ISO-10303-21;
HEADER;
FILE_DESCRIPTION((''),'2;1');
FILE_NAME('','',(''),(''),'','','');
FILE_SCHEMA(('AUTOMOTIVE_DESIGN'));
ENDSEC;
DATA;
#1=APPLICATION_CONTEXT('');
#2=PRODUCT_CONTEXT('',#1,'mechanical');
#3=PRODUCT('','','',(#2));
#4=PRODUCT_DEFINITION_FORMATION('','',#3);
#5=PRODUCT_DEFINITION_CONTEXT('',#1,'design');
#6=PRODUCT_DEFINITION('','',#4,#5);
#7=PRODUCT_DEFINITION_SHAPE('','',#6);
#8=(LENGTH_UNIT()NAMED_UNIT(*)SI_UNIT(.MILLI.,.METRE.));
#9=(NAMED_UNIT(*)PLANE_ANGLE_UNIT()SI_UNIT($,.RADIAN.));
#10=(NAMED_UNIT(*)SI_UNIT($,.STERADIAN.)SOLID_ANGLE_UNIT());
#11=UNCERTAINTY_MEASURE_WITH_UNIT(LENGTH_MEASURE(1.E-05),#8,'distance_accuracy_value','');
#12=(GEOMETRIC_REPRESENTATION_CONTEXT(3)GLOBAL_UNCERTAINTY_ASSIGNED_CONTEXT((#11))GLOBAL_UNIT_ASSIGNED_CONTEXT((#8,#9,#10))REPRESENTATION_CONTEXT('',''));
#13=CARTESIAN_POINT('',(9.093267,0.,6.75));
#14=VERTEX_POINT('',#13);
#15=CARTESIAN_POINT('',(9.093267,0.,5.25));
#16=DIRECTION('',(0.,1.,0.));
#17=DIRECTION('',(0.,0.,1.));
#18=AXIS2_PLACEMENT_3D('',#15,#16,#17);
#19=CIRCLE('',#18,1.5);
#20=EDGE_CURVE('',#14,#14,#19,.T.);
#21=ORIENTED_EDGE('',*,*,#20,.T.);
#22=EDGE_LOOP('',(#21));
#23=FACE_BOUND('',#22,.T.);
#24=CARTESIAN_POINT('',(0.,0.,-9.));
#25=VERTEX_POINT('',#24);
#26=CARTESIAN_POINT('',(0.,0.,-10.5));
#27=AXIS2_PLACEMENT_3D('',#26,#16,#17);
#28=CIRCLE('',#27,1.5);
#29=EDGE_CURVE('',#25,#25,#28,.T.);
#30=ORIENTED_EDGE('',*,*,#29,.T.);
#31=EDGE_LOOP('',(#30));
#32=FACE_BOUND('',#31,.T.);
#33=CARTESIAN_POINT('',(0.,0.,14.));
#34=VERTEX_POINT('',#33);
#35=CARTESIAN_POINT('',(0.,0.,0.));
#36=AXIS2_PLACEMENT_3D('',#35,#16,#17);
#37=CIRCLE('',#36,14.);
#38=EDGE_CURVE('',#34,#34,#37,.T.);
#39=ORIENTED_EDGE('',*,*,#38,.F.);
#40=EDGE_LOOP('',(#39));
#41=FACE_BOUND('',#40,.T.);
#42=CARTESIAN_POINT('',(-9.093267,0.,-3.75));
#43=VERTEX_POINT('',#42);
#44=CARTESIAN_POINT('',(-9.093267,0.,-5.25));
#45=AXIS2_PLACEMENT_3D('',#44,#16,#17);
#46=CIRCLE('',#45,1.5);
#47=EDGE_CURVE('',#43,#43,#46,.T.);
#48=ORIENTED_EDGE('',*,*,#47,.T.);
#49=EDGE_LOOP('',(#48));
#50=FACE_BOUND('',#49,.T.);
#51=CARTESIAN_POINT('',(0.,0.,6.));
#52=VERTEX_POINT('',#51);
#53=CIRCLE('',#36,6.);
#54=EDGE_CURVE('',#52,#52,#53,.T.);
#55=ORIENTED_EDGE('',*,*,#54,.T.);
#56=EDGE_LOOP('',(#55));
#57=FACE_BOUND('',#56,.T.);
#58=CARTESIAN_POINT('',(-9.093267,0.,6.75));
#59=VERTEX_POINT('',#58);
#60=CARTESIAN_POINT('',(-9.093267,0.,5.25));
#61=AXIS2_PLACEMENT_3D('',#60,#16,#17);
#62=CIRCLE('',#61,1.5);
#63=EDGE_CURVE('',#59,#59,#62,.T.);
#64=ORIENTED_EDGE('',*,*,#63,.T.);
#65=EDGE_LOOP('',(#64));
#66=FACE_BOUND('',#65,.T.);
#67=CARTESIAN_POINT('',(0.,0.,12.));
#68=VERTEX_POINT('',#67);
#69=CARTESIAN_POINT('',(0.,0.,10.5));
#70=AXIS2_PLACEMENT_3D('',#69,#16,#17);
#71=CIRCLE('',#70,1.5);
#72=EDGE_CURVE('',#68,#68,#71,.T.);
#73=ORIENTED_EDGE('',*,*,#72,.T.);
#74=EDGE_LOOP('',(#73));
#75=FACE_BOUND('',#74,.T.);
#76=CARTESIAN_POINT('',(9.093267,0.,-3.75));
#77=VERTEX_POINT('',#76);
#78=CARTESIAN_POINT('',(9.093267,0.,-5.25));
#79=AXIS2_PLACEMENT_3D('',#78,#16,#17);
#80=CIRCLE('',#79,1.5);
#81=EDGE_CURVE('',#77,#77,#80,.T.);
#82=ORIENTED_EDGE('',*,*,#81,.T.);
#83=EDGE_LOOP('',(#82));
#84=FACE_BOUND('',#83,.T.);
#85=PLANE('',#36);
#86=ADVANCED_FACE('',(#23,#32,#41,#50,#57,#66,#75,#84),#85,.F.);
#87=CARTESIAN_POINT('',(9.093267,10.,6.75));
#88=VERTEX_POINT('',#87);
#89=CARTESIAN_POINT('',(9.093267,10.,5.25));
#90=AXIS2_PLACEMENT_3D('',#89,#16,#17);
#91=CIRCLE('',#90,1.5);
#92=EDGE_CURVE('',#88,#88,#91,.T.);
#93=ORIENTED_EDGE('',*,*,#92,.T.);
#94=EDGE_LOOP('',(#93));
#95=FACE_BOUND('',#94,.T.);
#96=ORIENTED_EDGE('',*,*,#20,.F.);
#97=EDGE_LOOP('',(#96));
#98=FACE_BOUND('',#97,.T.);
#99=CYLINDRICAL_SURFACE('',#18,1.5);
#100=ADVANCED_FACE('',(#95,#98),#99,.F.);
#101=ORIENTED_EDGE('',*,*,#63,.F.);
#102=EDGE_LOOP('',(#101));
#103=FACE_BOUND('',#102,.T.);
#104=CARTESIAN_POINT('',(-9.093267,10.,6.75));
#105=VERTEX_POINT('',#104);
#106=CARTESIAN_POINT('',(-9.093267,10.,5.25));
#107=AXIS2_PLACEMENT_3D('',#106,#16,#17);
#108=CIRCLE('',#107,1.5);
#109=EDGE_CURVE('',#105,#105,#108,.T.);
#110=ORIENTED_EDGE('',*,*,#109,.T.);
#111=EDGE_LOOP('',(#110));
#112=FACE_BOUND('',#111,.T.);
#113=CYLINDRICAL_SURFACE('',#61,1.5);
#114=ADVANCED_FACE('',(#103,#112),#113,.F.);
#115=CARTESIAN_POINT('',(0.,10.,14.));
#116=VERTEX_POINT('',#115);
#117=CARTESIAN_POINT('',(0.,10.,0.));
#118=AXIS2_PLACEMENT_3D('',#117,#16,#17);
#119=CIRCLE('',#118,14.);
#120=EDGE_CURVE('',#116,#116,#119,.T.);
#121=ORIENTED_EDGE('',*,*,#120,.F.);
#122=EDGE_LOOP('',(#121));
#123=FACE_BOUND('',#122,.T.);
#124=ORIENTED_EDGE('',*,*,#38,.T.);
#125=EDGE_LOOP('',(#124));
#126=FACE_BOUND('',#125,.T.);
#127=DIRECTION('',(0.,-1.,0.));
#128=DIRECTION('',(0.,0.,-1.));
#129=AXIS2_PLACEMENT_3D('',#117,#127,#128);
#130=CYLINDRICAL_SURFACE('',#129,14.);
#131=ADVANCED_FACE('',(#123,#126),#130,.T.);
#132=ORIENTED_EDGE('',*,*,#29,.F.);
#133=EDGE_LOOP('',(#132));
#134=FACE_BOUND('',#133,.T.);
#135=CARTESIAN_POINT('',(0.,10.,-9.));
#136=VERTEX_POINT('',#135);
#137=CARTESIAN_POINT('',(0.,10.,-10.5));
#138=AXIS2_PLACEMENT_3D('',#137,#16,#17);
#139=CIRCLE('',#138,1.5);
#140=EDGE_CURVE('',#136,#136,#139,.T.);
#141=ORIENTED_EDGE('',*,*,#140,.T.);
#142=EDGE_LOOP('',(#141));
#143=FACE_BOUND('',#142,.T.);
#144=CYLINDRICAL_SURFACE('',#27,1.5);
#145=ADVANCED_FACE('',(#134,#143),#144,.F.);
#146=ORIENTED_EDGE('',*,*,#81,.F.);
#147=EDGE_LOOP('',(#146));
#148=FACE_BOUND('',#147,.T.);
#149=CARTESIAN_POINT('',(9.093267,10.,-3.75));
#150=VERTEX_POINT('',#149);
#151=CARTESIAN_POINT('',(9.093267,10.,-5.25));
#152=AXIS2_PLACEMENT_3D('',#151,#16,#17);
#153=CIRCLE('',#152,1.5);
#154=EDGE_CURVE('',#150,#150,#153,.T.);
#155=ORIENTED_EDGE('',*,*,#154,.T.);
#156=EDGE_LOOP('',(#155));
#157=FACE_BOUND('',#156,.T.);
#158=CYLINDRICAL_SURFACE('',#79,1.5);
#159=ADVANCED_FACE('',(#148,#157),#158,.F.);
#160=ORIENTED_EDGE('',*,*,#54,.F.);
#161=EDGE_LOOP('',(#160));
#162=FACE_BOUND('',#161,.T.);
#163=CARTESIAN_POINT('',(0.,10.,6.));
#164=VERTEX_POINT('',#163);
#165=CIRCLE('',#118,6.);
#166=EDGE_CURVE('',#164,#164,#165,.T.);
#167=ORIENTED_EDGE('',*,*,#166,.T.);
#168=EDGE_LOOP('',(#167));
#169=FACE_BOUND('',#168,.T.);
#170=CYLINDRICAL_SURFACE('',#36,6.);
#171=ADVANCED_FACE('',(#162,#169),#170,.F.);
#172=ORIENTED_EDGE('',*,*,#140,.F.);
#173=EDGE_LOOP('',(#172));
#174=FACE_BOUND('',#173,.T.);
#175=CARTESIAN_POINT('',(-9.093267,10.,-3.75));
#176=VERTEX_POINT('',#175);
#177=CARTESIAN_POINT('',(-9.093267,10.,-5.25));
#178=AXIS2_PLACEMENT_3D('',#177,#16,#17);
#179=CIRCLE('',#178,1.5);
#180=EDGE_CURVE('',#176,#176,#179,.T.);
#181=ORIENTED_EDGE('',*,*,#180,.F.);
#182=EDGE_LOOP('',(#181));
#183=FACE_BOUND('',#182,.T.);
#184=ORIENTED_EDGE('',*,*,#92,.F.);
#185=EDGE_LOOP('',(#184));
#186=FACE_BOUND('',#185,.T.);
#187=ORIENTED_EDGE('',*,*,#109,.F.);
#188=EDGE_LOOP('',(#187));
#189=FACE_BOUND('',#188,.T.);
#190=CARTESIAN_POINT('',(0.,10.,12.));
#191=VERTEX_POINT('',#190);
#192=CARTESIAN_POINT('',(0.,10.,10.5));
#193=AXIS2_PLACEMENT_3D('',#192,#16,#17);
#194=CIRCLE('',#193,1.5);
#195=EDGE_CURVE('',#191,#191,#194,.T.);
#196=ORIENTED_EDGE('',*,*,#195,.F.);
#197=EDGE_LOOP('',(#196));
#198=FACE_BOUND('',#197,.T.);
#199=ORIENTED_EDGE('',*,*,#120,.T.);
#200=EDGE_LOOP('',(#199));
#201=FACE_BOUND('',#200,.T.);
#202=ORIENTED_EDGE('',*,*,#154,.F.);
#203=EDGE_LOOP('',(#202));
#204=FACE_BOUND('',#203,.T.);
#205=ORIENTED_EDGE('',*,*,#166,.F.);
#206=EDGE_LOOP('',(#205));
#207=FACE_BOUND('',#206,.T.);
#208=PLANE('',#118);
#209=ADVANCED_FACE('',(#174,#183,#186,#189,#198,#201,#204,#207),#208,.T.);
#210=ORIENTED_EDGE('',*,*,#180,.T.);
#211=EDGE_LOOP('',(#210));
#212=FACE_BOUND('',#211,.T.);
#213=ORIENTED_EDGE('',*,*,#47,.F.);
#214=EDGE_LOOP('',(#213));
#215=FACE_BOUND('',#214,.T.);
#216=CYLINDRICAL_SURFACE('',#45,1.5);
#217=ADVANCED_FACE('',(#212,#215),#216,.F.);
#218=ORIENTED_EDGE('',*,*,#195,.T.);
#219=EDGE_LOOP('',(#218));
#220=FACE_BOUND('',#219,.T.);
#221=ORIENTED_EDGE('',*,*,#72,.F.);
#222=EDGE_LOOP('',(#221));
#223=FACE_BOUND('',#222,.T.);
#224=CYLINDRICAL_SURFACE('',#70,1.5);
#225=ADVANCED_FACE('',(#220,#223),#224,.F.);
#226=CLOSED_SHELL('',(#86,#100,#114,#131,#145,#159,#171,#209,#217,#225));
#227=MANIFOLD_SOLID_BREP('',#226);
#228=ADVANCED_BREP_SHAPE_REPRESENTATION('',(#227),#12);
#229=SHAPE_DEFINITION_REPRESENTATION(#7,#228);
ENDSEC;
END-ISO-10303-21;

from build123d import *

# Parameters (mm, degrees)
SKETCH1_R           = 14
BOSS_EXTRUDE1_DEPTH = 10
SKETCH2_R           = 1.5
SKETCH2_R_2         = 6
CUT_EXTRUDE1_DEPTH  = 11


with BuildPart() as part:
    # Sketch1 → Boss-Extrude1 (new body)
    with BuildSketch(Plane(origin=(0, 0, 0), x_dir=(1, 0, 0), z_dir=(0, 1, 0))):
        Circle(SKETCH1_R)
    extrude(amount=BOSS_EXTRUDE1_DEPTH)

    # Sketch2 → Cut-Extrude1 (cut, through all)
    with BuildSketch(Plane(origin=(0, 10, 0), x_dir=(1, 0, 0), z_dir=(0, 1, 0))):
        with Locations((0, 10.5)):
            Circle(SKETCH2_R)
        Circle(SKETCH2_R_2)
        with Locations((9.09326674, 5.25)):
            Circle(SKETCH2_R)
        with Locations((9.09326674, -5.25)):
            Circle(SKETCH2_R)
        with Locations((0, -10.5)):
            Circle(SKETCH2_R)
        with Locations((-9.09326674, -5.25)):
            Circle(SKETCH2_R)
        with Locations((-9.09326674, 5.25)):
            Circle(SKETCH2_R)
    extrude(amount=-CUT_EXTRUDE1_DEPTH, mode=Mode.SUBTRACT)


solid = part.part
